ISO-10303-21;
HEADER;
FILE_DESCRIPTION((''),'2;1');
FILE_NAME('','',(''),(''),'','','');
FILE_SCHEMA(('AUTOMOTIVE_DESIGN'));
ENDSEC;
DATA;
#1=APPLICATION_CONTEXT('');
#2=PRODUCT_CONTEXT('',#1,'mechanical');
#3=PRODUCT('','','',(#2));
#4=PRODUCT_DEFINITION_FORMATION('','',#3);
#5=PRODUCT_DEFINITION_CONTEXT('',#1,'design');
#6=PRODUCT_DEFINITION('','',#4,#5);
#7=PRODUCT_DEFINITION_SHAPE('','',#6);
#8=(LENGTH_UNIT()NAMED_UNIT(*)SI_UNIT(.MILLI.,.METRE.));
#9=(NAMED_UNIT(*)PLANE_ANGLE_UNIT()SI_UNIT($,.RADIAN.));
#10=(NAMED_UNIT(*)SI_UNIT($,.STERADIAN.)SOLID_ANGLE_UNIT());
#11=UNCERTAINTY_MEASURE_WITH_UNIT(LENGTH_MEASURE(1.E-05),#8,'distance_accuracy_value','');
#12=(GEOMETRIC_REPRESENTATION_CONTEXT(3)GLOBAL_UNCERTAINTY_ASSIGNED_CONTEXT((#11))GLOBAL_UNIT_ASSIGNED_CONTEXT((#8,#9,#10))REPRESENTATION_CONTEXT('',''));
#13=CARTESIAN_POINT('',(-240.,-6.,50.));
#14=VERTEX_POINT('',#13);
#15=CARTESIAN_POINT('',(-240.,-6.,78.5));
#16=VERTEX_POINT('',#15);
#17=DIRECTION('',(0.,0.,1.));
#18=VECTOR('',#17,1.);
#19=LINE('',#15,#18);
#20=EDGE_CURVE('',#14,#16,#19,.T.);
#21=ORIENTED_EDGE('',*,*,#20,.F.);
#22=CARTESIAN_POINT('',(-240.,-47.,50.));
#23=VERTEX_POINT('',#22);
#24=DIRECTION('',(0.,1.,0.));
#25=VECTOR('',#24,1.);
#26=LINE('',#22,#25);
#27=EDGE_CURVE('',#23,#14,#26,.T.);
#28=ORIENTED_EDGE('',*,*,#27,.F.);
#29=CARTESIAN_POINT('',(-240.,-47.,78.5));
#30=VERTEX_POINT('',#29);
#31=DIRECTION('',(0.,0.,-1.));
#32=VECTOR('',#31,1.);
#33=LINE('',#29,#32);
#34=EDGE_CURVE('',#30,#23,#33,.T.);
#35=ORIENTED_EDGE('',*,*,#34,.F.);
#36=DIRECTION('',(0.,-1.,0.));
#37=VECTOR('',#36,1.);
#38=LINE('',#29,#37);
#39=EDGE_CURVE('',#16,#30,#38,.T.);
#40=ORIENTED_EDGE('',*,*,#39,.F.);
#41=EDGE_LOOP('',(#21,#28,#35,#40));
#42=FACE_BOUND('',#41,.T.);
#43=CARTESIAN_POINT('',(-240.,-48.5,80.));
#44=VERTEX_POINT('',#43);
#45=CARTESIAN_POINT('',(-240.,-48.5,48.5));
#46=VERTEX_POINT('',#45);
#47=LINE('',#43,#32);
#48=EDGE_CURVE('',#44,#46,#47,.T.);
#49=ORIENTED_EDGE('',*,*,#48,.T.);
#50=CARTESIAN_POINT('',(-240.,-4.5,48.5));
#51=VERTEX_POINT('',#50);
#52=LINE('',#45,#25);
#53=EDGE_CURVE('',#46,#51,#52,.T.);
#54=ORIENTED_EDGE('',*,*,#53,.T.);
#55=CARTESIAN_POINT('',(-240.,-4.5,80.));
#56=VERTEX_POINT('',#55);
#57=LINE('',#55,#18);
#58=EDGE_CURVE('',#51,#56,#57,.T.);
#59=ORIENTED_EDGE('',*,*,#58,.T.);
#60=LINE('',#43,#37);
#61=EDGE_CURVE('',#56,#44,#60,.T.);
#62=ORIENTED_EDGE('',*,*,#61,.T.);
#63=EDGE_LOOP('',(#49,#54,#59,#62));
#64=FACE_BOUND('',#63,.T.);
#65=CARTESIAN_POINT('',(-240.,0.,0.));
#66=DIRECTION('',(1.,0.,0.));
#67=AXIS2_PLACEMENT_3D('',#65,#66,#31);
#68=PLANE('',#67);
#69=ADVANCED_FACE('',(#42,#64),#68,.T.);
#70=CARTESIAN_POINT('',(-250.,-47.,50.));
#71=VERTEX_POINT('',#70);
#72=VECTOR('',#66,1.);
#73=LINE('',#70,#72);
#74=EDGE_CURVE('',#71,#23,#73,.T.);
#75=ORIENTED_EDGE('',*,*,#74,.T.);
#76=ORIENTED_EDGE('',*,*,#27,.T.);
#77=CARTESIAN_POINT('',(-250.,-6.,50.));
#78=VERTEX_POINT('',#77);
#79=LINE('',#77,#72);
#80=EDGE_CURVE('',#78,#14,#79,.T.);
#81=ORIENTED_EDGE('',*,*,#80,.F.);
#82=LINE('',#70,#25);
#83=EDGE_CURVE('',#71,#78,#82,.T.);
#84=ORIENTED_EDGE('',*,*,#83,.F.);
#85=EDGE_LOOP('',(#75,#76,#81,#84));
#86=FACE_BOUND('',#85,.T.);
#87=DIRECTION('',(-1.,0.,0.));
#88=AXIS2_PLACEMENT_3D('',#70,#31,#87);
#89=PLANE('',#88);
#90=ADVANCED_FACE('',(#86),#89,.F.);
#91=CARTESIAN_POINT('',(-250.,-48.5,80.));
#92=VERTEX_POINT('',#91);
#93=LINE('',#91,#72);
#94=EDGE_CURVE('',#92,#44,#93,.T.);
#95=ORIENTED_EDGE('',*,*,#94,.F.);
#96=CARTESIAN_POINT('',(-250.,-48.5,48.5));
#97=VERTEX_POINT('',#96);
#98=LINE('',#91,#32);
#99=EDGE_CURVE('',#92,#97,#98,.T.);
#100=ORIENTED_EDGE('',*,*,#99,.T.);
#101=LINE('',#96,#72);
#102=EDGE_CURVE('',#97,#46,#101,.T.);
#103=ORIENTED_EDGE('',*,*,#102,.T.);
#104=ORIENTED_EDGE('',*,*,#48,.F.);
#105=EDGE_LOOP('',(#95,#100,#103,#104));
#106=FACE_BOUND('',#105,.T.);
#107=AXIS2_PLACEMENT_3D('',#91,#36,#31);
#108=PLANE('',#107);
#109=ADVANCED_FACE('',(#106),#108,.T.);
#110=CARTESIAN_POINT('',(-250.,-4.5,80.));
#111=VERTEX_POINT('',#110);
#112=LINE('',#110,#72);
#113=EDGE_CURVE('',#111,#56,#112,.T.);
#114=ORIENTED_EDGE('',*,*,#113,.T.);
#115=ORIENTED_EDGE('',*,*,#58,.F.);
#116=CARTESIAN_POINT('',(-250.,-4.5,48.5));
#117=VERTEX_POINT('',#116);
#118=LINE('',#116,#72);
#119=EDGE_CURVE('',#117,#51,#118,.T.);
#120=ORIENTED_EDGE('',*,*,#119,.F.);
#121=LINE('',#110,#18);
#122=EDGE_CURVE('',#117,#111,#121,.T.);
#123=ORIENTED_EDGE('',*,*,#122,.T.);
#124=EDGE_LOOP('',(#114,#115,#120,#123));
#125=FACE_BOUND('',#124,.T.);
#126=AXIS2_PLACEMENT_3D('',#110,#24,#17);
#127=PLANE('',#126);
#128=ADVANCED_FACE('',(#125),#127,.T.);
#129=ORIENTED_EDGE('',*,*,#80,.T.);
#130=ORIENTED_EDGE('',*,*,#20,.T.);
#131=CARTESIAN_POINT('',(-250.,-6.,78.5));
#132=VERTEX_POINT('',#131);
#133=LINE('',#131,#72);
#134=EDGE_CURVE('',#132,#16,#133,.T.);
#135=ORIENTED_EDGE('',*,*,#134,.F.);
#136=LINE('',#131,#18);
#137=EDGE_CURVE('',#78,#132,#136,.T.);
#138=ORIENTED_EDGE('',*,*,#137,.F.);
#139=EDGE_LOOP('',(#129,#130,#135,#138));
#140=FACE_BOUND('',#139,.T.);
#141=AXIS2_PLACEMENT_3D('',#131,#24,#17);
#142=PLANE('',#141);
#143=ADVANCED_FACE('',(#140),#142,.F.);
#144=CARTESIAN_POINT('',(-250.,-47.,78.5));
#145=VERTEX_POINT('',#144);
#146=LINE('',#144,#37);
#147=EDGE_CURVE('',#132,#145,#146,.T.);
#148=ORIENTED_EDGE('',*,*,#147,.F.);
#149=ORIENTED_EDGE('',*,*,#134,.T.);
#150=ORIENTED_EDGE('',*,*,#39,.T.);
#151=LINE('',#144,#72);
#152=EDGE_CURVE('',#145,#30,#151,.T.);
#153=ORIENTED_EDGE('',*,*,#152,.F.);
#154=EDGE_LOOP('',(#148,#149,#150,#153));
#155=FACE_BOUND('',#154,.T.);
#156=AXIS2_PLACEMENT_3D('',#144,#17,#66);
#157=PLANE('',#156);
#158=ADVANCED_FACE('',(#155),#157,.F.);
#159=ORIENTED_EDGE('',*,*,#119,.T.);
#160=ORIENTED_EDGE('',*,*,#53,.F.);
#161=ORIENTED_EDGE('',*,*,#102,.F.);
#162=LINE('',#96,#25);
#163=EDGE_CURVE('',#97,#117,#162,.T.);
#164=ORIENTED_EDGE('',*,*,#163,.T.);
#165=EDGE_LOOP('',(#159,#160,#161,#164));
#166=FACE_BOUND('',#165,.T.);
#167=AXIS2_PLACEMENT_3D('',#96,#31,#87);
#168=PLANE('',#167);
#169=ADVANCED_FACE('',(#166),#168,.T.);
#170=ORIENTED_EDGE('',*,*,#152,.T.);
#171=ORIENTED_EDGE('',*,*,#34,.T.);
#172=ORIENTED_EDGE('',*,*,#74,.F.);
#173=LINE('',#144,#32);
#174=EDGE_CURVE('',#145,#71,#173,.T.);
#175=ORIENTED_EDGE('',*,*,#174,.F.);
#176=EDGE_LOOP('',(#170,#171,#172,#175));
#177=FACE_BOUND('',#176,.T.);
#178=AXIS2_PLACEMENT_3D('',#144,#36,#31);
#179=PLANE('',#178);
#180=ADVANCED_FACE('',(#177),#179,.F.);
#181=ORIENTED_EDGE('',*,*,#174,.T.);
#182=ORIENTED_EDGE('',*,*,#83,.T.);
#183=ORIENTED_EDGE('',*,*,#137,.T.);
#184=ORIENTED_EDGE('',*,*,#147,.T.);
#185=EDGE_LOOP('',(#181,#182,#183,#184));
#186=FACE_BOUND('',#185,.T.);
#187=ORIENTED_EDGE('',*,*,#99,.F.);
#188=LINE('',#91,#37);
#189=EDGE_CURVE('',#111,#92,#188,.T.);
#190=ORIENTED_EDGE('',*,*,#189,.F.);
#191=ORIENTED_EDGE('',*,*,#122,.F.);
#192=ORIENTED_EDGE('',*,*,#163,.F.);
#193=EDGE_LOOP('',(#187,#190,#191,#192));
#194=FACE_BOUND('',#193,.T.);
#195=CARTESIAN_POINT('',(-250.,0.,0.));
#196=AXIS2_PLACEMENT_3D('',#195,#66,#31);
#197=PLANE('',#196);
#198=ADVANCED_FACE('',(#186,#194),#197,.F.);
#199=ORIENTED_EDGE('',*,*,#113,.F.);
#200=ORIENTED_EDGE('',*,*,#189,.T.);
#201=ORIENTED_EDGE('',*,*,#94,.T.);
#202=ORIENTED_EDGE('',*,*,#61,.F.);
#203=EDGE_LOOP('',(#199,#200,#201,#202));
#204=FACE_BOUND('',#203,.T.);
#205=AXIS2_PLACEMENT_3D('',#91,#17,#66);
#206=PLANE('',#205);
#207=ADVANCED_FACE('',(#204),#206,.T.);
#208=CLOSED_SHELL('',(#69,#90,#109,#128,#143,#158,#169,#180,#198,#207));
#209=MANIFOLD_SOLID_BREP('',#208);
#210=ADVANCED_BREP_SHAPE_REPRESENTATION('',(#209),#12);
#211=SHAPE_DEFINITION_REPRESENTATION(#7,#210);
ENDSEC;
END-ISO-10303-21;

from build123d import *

# Parameters (mm, degrees)
MAIN_PROFILE_SKETCH_W   = 31.5
MAIN_PROFILE_SKETCH_H   = 44
MAIN_PROFILE_SKETCH_W_2 = 28.5
MAIN_PROFILE_SKETCH_H_2 = 41
MAIN_EXTRUSION_DEPTH    = 10


with BuildPart() as part:
    # Main Profile Sketch → Main Extrusion (new body)
    with BuildSketch(Plane(origin=(-240, 0, 0), x_dir=(0, 0, -1), z_dir=(1, 0, 0))):
        with Locations((-64.25, -26.5)):
            Rectangle(MAIN_PROFILE_SKETCH_W, MAIN_PROFILE_SKETCH_H)
        with Locations((-64.25, -26.5)):
            Rectangle(MAIN_PROFILE_SKETCH_W_2, MAIN_PROFILE_SKETCH_H_2, mode=Mode.SUBTRACT)
    extrude(amount=-MAIN_EXTRUSION_DEPTH)


solid = part.part
